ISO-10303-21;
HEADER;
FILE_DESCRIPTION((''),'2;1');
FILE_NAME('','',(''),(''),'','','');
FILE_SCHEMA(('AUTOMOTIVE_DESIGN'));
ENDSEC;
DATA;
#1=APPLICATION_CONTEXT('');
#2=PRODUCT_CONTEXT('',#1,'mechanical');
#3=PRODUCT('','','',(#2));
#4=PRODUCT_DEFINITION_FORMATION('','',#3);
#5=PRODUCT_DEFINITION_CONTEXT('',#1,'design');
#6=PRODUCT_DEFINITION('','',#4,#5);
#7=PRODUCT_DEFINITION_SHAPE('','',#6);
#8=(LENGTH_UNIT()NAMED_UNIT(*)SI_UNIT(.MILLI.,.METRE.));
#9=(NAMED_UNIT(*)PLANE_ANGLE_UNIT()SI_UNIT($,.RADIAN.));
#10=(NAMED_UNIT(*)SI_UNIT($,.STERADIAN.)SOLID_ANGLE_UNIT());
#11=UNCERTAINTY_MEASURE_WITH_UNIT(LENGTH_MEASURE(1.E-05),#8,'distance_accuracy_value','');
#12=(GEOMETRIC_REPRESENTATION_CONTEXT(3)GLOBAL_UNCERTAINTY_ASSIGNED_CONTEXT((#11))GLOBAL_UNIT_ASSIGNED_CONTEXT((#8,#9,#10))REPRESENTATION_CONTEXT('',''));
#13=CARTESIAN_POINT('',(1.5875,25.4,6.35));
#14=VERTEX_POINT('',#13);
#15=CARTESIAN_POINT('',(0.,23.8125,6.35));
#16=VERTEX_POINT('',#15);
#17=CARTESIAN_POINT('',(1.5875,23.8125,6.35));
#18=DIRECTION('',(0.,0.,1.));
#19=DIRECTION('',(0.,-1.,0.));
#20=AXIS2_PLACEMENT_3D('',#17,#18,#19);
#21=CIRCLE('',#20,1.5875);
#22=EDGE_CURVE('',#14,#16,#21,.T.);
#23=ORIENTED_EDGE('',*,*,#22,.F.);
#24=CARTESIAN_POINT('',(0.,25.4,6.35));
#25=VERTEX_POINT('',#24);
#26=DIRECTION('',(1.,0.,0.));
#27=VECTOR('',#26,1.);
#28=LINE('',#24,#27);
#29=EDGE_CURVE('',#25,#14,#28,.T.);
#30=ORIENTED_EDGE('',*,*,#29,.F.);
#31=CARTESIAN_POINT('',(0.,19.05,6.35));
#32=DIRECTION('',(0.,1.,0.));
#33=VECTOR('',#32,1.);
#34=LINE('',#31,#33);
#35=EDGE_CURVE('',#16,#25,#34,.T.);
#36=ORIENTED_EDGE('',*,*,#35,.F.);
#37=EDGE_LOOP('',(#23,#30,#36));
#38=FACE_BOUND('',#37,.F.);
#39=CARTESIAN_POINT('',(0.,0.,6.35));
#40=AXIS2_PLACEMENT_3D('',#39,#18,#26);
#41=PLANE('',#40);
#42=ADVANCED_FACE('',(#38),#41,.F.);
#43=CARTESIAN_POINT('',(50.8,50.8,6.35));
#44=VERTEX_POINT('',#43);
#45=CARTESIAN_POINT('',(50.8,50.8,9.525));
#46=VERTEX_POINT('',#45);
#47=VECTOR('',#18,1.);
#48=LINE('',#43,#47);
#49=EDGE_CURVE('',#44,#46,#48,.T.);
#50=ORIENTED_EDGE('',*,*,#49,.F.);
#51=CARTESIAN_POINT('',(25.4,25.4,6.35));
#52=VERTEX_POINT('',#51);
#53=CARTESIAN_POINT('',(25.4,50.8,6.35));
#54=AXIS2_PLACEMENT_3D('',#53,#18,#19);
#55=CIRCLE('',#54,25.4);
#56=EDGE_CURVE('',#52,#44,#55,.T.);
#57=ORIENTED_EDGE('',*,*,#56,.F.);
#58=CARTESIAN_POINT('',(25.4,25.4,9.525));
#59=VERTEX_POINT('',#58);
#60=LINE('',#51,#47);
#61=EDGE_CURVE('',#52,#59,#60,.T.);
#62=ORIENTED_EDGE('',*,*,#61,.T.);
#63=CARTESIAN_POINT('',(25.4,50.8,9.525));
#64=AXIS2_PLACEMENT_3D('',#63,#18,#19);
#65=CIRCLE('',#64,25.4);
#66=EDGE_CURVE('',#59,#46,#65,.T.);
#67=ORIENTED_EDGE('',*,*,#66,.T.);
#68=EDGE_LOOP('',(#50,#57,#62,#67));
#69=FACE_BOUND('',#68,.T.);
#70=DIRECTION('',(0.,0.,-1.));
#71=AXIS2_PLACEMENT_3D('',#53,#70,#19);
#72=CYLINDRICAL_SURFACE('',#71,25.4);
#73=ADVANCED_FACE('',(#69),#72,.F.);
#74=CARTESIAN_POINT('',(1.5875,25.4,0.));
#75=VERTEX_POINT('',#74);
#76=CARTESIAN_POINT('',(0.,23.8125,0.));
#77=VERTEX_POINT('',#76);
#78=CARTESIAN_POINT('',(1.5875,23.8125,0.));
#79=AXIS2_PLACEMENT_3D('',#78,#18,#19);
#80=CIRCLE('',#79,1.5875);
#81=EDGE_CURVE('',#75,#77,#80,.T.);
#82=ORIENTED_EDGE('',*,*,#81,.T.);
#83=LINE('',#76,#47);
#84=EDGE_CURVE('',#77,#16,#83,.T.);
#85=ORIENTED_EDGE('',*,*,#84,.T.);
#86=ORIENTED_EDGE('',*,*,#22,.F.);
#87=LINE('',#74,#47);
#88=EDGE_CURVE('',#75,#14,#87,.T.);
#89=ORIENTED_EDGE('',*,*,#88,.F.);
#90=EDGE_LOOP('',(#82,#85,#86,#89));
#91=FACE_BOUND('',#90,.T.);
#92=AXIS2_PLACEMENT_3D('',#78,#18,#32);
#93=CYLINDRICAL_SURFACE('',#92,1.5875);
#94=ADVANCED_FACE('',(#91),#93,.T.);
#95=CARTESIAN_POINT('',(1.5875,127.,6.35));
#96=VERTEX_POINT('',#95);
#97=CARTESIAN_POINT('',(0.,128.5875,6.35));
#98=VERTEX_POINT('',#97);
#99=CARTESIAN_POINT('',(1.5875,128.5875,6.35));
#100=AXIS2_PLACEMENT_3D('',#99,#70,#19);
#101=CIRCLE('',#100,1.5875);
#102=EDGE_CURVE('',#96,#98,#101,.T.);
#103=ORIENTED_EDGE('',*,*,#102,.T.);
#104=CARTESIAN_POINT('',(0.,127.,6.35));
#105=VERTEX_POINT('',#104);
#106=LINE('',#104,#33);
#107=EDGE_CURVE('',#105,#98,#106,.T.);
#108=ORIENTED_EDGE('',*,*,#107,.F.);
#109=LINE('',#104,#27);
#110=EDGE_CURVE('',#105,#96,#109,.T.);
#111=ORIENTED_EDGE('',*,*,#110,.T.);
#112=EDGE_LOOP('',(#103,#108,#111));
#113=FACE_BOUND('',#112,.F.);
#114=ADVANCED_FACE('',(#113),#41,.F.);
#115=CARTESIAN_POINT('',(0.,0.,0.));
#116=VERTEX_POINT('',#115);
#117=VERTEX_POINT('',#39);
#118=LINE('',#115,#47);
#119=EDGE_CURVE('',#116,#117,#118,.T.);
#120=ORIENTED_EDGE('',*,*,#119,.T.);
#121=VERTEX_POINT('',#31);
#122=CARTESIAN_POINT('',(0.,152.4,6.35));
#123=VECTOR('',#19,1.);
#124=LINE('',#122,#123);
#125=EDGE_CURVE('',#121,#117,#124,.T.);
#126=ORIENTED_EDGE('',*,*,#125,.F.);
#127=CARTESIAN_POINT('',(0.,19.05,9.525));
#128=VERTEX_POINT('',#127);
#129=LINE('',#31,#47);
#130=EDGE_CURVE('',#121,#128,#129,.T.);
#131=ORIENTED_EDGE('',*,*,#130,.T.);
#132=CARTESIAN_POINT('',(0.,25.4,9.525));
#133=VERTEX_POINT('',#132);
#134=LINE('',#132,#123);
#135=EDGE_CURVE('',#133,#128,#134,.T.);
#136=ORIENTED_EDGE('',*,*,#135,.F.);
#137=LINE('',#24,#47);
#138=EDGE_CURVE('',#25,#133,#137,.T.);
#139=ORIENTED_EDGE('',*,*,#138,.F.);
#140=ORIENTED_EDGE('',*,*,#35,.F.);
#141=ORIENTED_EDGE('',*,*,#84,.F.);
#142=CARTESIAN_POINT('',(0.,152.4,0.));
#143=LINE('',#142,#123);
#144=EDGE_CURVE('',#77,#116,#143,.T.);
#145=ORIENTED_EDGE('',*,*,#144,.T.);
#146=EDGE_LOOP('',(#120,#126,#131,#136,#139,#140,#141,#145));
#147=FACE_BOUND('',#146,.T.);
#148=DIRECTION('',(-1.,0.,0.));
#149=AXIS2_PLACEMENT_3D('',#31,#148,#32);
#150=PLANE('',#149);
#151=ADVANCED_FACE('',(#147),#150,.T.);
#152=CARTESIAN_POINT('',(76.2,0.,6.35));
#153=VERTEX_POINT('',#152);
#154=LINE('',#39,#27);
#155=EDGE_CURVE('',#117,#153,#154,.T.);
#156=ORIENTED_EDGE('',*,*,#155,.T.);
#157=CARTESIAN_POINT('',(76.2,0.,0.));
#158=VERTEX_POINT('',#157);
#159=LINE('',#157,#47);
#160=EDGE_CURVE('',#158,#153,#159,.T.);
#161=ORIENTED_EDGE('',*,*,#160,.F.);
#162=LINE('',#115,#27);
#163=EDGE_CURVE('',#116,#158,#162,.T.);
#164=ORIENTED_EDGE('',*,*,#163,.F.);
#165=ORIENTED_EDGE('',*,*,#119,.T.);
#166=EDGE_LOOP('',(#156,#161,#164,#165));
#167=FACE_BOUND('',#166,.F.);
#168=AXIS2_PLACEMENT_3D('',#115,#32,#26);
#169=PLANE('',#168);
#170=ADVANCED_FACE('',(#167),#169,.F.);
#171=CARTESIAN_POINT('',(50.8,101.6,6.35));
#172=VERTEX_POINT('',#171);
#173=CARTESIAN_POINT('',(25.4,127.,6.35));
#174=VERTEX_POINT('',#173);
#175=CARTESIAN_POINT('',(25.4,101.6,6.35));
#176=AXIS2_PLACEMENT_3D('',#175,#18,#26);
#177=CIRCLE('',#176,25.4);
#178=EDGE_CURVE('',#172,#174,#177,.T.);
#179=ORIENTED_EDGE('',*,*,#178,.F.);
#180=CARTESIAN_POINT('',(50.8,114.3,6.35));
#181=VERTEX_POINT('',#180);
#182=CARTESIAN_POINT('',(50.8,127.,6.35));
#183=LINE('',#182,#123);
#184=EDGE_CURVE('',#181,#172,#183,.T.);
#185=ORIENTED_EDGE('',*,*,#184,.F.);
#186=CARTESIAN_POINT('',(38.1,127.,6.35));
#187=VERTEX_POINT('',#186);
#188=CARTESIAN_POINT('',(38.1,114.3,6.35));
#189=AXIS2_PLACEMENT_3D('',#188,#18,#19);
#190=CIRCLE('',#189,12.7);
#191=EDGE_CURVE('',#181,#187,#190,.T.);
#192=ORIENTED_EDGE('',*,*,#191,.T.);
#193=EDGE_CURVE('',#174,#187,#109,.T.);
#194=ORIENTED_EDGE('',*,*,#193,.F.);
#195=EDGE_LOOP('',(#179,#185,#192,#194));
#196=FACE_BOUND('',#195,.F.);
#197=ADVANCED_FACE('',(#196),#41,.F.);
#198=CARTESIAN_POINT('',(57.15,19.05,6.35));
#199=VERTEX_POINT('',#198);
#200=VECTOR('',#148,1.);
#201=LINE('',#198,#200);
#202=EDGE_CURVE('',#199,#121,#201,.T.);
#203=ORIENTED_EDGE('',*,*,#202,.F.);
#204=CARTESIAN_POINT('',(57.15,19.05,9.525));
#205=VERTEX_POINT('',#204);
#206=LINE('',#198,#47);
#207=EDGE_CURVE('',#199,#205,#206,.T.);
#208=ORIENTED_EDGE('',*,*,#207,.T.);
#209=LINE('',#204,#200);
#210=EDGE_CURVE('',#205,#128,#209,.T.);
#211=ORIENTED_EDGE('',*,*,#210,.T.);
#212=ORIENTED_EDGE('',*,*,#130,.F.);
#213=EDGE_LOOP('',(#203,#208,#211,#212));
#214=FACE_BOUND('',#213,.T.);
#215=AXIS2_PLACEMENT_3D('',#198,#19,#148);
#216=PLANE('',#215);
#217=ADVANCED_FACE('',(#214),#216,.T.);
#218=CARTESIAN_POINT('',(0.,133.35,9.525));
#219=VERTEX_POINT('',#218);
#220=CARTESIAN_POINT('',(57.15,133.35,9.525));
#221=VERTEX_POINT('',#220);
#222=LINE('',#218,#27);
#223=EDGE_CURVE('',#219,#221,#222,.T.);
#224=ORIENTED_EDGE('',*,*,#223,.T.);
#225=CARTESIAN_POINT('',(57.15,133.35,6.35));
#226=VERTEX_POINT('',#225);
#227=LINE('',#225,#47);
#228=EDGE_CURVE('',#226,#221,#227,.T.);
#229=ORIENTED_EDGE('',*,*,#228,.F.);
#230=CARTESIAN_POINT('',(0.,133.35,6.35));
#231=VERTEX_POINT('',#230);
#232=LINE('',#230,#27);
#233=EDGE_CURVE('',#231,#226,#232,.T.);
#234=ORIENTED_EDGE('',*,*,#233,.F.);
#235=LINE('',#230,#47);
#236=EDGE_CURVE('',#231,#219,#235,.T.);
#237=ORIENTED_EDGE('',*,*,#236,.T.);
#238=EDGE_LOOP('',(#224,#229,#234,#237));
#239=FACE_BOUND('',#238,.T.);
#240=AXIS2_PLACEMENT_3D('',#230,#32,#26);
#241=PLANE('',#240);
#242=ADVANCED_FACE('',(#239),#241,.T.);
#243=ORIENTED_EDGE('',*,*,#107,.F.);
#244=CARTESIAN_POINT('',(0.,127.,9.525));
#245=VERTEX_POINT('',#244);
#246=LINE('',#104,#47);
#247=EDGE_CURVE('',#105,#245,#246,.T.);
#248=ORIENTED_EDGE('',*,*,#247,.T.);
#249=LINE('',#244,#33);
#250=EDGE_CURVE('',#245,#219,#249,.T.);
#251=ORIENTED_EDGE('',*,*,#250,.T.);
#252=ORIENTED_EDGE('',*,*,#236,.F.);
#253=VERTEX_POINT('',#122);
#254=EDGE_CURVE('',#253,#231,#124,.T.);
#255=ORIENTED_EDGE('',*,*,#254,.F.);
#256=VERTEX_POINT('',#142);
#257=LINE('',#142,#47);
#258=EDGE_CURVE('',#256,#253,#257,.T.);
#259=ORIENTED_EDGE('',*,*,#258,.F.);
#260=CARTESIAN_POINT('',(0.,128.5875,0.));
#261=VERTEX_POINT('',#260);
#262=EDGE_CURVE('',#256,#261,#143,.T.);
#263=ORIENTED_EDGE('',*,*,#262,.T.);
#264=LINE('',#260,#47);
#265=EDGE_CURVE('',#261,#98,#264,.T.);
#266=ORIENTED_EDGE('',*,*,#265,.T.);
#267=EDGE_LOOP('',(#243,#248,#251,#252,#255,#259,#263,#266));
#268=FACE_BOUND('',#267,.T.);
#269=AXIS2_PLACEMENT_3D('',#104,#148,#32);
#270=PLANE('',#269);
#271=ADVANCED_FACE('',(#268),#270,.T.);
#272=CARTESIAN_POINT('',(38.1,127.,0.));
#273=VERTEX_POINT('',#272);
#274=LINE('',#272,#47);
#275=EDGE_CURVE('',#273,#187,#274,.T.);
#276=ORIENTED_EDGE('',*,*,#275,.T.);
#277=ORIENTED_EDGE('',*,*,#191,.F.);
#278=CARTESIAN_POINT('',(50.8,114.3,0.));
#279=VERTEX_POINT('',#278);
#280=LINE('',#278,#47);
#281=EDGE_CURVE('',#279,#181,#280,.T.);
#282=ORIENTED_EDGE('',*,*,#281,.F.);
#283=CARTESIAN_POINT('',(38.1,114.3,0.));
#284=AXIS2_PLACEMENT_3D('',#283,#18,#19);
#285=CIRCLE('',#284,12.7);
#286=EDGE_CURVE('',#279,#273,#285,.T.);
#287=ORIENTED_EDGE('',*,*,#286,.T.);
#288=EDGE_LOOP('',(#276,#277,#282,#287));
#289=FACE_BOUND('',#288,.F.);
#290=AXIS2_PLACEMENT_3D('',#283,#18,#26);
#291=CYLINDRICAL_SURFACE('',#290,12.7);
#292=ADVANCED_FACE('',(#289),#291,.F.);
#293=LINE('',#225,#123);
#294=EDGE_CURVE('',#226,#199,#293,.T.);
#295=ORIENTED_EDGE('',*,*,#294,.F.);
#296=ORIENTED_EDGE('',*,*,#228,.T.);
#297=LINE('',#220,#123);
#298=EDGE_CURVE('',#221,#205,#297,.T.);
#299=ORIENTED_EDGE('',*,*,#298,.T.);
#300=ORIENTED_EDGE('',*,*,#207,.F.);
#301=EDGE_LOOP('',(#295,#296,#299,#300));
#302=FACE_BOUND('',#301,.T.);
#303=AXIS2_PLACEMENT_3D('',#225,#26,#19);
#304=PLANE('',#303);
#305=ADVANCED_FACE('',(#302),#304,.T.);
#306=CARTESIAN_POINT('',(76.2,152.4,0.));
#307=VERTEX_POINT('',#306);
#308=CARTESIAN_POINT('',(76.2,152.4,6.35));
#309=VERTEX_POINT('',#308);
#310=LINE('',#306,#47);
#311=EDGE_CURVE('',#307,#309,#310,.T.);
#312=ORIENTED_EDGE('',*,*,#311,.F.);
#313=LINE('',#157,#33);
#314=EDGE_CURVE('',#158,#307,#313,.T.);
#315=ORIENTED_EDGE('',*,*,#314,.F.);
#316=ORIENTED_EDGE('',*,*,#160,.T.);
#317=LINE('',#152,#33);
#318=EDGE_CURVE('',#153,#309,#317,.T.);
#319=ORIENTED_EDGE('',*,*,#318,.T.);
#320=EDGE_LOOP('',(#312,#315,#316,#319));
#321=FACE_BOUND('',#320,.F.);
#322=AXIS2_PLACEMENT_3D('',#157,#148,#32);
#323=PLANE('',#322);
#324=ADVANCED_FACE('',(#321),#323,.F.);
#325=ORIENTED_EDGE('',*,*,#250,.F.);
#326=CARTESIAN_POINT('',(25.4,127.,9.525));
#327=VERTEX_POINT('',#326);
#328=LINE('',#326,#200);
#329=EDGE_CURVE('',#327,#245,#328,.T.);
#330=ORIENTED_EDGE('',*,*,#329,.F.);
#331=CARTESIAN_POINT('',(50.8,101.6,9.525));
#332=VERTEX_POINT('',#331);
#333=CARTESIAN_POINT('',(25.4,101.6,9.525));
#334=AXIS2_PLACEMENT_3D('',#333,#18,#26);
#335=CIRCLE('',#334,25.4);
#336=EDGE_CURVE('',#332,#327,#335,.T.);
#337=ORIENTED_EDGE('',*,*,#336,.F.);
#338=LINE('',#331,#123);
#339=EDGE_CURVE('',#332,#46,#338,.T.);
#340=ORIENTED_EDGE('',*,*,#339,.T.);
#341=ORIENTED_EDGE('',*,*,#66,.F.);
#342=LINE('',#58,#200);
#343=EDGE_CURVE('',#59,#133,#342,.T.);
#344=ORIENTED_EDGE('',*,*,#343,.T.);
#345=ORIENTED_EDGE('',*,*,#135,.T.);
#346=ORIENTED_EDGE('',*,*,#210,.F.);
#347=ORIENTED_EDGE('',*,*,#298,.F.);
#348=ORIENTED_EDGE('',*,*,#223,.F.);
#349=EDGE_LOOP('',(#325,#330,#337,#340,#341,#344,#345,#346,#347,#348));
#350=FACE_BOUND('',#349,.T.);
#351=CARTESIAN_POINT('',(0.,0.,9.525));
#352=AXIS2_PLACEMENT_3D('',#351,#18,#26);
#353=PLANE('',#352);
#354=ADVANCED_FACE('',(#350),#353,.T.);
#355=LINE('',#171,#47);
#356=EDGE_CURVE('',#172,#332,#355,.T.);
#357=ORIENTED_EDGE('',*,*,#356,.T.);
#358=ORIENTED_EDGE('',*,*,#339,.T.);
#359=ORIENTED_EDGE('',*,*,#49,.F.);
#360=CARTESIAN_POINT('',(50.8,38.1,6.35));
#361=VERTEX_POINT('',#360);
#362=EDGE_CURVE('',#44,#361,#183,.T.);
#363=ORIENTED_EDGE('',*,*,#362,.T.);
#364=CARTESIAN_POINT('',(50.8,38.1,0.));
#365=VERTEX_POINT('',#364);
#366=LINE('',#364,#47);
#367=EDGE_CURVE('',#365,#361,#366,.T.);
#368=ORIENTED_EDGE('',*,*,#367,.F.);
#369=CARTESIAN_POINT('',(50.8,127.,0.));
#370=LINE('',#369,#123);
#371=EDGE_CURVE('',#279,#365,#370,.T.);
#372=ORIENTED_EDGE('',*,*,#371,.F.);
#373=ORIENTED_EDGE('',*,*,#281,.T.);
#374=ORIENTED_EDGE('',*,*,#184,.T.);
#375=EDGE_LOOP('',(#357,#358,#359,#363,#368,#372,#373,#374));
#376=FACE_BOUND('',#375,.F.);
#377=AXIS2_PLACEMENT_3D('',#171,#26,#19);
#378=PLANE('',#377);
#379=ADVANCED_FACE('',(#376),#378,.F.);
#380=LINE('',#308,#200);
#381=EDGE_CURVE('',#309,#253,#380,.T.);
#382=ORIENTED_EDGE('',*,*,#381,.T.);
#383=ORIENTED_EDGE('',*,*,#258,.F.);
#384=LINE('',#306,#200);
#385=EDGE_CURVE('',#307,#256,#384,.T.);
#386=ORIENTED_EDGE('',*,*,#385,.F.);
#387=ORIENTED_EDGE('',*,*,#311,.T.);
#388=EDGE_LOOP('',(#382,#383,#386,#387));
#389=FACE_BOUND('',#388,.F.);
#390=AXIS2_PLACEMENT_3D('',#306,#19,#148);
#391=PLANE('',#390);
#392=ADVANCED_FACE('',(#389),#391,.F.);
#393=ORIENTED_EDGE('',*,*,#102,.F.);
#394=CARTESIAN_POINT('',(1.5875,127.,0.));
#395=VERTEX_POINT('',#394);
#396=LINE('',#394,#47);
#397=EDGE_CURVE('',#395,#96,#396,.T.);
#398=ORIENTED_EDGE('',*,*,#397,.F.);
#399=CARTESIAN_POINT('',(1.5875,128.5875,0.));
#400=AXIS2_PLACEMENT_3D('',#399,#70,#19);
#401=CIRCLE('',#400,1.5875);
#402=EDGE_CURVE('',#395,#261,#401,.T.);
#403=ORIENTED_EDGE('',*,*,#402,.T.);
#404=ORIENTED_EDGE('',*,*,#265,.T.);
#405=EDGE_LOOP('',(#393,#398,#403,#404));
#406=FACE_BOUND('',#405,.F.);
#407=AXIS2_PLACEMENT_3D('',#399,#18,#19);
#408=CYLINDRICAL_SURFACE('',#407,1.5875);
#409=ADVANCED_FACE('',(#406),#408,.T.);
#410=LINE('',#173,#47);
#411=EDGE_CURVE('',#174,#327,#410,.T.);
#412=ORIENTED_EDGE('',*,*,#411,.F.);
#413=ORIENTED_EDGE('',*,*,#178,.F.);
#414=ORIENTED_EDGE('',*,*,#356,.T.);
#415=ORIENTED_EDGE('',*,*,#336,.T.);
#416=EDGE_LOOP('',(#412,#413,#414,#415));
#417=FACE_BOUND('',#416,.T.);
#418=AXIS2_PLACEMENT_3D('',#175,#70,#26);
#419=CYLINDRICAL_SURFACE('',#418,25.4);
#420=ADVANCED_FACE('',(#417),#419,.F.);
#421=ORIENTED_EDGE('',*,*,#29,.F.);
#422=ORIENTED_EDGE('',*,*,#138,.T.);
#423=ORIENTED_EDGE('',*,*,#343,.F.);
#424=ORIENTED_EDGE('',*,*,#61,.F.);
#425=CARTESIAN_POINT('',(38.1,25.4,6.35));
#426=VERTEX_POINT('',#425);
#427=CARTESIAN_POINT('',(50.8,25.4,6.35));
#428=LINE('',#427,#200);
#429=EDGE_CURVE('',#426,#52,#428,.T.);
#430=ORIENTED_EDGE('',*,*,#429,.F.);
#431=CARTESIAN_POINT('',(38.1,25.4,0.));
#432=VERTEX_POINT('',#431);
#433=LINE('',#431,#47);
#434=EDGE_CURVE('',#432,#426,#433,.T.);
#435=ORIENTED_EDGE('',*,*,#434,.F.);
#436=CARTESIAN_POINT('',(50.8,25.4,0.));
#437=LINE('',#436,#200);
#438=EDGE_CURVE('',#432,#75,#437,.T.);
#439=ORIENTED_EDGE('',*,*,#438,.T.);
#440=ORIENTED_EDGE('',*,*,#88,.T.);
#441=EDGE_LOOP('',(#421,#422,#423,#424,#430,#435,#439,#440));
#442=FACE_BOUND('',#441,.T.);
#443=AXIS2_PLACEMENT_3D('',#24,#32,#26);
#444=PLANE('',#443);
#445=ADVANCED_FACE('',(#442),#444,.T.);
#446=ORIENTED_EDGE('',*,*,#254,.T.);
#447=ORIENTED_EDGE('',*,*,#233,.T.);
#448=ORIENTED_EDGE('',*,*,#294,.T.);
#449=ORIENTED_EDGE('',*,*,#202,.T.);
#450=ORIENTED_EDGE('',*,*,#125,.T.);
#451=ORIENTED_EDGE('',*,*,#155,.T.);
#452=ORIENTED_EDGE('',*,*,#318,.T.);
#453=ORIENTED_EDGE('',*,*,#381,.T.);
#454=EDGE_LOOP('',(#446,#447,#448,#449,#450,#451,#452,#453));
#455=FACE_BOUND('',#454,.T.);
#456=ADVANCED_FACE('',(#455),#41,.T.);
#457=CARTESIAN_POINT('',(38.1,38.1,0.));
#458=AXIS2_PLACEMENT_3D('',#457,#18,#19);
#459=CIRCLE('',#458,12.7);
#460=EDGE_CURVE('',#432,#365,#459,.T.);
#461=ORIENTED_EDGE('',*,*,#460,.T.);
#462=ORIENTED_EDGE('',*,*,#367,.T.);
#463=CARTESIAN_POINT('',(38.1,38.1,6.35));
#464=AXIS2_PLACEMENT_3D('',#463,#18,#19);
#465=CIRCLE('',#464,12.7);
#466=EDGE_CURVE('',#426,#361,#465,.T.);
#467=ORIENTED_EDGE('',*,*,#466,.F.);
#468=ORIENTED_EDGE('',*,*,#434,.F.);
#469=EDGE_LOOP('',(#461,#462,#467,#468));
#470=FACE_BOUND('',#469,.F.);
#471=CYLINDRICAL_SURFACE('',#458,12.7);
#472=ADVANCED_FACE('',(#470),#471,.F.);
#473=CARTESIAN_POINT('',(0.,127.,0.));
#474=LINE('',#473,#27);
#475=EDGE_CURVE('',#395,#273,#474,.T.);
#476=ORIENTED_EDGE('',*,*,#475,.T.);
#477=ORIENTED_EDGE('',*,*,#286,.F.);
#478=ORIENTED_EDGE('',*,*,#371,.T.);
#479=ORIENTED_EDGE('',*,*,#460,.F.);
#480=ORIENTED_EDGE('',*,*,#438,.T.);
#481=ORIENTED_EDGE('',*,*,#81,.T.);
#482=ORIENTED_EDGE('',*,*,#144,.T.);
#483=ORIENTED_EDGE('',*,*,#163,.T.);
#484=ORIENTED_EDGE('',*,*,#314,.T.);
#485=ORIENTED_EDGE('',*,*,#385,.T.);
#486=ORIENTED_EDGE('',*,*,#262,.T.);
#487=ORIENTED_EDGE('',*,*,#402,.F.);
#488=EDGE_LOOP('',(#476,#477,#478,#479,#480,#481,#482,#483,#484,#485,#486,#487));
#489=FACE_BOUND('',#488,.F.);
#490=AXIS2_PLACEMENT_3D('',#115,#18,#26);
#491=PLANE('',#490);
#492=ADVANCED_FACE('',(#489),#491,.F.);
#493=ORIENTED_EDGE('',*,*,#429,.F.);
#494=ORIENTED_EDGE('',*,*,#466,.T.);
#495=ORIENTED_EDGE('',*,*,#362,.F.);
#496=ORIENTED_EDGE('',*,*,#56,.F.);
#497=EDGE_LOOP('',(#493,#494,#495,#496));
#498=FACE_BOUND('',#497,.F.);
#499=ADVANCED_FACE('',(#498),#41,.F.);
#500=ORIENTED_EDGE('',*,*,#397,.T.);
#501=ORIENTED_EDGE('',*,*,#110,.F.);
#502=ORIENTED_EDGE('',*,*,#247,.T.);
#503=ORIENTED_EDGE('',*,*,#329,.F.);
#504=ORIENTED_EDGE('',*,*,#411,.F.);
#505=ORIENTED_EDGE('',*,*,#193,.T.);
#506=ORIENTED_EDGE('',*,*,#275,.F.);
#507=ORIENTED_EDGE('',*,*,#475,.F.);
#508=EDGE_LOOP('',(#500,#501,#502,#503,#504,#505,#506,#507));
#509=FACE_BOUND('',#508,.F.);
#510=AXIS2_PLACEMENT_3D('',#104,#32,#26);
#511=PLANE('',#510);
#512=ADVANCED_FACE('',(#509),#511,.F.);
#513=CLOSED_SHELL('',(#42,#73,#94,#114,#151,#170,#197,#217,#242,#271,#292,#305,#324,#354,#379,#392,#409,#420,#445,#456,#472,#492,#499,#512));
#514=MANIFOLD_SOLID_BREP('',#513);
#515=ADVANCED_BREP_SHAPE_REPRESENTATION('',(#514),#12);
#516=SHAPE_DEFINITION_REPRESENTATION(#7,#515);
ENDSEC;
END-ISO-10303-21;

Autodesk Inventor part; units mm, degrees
ref_plane "YZ Plane" through (0, 0, 0) normal (1, 0, 0) x (0, 1, 0)
ref_plane "XZ Plane" through (0, 0, 0) normal (0, 1, 0) x (-1, 0, 0)
ref_plane "XY Plane" through (0, 0, 0) normal (0, 0, 1) x (1, 0, 0)
sketch "Sketch1" plane through (0, 0, 0) normal (0, 0, 1) x (1, 0, 0)
  line L0 (0, 0) -> (76.2, 0)
  line L1 (76.2, 0) -> (76.2, 152.4)
  line L2 (76.2, 152.4) -> (0, 152.4)
  line L3 (0, 152.4) -> (0, 0)
  line L4 (0, 127) -> (50.8, 127)
  line L5 (50.8, 127) -> (50.8, 25.4)
  line L6 (50.8, 25.4) -> (0, 25.4)
  line L7 (0, 25.4) -> (0, 127)
  point P0 (0, 25.4)
  point P1 (76.2, 76.2)
  dimension "d0" = 101.6
  dimension "d1" = 50.8
  dimension "d2" = 25.4
  dimension "d4" = 25.4
  dimension "d9" = 25.4
extrude "Extrusion1" add sketch "Sketch1" along normal blind 6.35 contours L3 L6 L5 L4 L2 L1 L0
fillet "Fillet1" radius 12.7 2 edges at (50.8, 127, 3.175) (50.8, 25.4, 3.175)
fillet "Fillet2" radius 1.5875 2 edges at (0, 127, 3.175) (0, 25.4, 3.175)
sketch "Sketch2" plane through (0, 0, 6.35) normal (0, 0, 1) x (1, 0, 0)
  line L0 (0, 127) -> (25.4, 127)
  line L1 (50.8, 101.6) -> (50.8, 50.8)
  line L2 (25.4, 25.4) -> (19.0762, 25.4)
  line L3 (1.5875, 127) -> (38.1, 127) projected
  arc A0 (50.8, 101.6) -> (25.4, 127) centre (25.4, 101.6) ccw
  arc A1 (25.4, 25.4) -> (50.8, 50.8) centre (25.4, 50.8) ccw
  line L4 (38.1, 25.4) -> (1.5875, 25.4) projected
  line L5 (76.2, 0) -> (76.2, 152.4) projected
  line L6 (0, 127) -> (0, 133.35)
  line L7 (0, 133.35) -> (57.15, 133.35)
  line L8 (57.15, 133.35) -> (57.15, 19.05)
  line L9 (57.15, 19.05) -> (0, 19.05)
  line L10 (0, 19.05) -> (0, 25.4)
  line L11 (0, 25.4) -> (1.5875, 25.4)
  line L12 (0, 152.4) -> (0, 128.5875) projected
  line L13 (0, 23.8125) -> (0, 0) projected
  point P0 (0.7937, 25.4)
  dimension "d11" = 25.4
  dimension "d12" = 25.4
  dimension "d13" = 25.4
  dimension "d14" = 6.35
  dimension "d15" = 6.35
  dimension "d16" = 6.35
extrude "Extrusion2" add sketch "Sketch2" along normal blind 3.175
equation "\"d15\" = d14"
equation "\"d16\" = d14"
properties part number "ChassisInterfaceFix"
